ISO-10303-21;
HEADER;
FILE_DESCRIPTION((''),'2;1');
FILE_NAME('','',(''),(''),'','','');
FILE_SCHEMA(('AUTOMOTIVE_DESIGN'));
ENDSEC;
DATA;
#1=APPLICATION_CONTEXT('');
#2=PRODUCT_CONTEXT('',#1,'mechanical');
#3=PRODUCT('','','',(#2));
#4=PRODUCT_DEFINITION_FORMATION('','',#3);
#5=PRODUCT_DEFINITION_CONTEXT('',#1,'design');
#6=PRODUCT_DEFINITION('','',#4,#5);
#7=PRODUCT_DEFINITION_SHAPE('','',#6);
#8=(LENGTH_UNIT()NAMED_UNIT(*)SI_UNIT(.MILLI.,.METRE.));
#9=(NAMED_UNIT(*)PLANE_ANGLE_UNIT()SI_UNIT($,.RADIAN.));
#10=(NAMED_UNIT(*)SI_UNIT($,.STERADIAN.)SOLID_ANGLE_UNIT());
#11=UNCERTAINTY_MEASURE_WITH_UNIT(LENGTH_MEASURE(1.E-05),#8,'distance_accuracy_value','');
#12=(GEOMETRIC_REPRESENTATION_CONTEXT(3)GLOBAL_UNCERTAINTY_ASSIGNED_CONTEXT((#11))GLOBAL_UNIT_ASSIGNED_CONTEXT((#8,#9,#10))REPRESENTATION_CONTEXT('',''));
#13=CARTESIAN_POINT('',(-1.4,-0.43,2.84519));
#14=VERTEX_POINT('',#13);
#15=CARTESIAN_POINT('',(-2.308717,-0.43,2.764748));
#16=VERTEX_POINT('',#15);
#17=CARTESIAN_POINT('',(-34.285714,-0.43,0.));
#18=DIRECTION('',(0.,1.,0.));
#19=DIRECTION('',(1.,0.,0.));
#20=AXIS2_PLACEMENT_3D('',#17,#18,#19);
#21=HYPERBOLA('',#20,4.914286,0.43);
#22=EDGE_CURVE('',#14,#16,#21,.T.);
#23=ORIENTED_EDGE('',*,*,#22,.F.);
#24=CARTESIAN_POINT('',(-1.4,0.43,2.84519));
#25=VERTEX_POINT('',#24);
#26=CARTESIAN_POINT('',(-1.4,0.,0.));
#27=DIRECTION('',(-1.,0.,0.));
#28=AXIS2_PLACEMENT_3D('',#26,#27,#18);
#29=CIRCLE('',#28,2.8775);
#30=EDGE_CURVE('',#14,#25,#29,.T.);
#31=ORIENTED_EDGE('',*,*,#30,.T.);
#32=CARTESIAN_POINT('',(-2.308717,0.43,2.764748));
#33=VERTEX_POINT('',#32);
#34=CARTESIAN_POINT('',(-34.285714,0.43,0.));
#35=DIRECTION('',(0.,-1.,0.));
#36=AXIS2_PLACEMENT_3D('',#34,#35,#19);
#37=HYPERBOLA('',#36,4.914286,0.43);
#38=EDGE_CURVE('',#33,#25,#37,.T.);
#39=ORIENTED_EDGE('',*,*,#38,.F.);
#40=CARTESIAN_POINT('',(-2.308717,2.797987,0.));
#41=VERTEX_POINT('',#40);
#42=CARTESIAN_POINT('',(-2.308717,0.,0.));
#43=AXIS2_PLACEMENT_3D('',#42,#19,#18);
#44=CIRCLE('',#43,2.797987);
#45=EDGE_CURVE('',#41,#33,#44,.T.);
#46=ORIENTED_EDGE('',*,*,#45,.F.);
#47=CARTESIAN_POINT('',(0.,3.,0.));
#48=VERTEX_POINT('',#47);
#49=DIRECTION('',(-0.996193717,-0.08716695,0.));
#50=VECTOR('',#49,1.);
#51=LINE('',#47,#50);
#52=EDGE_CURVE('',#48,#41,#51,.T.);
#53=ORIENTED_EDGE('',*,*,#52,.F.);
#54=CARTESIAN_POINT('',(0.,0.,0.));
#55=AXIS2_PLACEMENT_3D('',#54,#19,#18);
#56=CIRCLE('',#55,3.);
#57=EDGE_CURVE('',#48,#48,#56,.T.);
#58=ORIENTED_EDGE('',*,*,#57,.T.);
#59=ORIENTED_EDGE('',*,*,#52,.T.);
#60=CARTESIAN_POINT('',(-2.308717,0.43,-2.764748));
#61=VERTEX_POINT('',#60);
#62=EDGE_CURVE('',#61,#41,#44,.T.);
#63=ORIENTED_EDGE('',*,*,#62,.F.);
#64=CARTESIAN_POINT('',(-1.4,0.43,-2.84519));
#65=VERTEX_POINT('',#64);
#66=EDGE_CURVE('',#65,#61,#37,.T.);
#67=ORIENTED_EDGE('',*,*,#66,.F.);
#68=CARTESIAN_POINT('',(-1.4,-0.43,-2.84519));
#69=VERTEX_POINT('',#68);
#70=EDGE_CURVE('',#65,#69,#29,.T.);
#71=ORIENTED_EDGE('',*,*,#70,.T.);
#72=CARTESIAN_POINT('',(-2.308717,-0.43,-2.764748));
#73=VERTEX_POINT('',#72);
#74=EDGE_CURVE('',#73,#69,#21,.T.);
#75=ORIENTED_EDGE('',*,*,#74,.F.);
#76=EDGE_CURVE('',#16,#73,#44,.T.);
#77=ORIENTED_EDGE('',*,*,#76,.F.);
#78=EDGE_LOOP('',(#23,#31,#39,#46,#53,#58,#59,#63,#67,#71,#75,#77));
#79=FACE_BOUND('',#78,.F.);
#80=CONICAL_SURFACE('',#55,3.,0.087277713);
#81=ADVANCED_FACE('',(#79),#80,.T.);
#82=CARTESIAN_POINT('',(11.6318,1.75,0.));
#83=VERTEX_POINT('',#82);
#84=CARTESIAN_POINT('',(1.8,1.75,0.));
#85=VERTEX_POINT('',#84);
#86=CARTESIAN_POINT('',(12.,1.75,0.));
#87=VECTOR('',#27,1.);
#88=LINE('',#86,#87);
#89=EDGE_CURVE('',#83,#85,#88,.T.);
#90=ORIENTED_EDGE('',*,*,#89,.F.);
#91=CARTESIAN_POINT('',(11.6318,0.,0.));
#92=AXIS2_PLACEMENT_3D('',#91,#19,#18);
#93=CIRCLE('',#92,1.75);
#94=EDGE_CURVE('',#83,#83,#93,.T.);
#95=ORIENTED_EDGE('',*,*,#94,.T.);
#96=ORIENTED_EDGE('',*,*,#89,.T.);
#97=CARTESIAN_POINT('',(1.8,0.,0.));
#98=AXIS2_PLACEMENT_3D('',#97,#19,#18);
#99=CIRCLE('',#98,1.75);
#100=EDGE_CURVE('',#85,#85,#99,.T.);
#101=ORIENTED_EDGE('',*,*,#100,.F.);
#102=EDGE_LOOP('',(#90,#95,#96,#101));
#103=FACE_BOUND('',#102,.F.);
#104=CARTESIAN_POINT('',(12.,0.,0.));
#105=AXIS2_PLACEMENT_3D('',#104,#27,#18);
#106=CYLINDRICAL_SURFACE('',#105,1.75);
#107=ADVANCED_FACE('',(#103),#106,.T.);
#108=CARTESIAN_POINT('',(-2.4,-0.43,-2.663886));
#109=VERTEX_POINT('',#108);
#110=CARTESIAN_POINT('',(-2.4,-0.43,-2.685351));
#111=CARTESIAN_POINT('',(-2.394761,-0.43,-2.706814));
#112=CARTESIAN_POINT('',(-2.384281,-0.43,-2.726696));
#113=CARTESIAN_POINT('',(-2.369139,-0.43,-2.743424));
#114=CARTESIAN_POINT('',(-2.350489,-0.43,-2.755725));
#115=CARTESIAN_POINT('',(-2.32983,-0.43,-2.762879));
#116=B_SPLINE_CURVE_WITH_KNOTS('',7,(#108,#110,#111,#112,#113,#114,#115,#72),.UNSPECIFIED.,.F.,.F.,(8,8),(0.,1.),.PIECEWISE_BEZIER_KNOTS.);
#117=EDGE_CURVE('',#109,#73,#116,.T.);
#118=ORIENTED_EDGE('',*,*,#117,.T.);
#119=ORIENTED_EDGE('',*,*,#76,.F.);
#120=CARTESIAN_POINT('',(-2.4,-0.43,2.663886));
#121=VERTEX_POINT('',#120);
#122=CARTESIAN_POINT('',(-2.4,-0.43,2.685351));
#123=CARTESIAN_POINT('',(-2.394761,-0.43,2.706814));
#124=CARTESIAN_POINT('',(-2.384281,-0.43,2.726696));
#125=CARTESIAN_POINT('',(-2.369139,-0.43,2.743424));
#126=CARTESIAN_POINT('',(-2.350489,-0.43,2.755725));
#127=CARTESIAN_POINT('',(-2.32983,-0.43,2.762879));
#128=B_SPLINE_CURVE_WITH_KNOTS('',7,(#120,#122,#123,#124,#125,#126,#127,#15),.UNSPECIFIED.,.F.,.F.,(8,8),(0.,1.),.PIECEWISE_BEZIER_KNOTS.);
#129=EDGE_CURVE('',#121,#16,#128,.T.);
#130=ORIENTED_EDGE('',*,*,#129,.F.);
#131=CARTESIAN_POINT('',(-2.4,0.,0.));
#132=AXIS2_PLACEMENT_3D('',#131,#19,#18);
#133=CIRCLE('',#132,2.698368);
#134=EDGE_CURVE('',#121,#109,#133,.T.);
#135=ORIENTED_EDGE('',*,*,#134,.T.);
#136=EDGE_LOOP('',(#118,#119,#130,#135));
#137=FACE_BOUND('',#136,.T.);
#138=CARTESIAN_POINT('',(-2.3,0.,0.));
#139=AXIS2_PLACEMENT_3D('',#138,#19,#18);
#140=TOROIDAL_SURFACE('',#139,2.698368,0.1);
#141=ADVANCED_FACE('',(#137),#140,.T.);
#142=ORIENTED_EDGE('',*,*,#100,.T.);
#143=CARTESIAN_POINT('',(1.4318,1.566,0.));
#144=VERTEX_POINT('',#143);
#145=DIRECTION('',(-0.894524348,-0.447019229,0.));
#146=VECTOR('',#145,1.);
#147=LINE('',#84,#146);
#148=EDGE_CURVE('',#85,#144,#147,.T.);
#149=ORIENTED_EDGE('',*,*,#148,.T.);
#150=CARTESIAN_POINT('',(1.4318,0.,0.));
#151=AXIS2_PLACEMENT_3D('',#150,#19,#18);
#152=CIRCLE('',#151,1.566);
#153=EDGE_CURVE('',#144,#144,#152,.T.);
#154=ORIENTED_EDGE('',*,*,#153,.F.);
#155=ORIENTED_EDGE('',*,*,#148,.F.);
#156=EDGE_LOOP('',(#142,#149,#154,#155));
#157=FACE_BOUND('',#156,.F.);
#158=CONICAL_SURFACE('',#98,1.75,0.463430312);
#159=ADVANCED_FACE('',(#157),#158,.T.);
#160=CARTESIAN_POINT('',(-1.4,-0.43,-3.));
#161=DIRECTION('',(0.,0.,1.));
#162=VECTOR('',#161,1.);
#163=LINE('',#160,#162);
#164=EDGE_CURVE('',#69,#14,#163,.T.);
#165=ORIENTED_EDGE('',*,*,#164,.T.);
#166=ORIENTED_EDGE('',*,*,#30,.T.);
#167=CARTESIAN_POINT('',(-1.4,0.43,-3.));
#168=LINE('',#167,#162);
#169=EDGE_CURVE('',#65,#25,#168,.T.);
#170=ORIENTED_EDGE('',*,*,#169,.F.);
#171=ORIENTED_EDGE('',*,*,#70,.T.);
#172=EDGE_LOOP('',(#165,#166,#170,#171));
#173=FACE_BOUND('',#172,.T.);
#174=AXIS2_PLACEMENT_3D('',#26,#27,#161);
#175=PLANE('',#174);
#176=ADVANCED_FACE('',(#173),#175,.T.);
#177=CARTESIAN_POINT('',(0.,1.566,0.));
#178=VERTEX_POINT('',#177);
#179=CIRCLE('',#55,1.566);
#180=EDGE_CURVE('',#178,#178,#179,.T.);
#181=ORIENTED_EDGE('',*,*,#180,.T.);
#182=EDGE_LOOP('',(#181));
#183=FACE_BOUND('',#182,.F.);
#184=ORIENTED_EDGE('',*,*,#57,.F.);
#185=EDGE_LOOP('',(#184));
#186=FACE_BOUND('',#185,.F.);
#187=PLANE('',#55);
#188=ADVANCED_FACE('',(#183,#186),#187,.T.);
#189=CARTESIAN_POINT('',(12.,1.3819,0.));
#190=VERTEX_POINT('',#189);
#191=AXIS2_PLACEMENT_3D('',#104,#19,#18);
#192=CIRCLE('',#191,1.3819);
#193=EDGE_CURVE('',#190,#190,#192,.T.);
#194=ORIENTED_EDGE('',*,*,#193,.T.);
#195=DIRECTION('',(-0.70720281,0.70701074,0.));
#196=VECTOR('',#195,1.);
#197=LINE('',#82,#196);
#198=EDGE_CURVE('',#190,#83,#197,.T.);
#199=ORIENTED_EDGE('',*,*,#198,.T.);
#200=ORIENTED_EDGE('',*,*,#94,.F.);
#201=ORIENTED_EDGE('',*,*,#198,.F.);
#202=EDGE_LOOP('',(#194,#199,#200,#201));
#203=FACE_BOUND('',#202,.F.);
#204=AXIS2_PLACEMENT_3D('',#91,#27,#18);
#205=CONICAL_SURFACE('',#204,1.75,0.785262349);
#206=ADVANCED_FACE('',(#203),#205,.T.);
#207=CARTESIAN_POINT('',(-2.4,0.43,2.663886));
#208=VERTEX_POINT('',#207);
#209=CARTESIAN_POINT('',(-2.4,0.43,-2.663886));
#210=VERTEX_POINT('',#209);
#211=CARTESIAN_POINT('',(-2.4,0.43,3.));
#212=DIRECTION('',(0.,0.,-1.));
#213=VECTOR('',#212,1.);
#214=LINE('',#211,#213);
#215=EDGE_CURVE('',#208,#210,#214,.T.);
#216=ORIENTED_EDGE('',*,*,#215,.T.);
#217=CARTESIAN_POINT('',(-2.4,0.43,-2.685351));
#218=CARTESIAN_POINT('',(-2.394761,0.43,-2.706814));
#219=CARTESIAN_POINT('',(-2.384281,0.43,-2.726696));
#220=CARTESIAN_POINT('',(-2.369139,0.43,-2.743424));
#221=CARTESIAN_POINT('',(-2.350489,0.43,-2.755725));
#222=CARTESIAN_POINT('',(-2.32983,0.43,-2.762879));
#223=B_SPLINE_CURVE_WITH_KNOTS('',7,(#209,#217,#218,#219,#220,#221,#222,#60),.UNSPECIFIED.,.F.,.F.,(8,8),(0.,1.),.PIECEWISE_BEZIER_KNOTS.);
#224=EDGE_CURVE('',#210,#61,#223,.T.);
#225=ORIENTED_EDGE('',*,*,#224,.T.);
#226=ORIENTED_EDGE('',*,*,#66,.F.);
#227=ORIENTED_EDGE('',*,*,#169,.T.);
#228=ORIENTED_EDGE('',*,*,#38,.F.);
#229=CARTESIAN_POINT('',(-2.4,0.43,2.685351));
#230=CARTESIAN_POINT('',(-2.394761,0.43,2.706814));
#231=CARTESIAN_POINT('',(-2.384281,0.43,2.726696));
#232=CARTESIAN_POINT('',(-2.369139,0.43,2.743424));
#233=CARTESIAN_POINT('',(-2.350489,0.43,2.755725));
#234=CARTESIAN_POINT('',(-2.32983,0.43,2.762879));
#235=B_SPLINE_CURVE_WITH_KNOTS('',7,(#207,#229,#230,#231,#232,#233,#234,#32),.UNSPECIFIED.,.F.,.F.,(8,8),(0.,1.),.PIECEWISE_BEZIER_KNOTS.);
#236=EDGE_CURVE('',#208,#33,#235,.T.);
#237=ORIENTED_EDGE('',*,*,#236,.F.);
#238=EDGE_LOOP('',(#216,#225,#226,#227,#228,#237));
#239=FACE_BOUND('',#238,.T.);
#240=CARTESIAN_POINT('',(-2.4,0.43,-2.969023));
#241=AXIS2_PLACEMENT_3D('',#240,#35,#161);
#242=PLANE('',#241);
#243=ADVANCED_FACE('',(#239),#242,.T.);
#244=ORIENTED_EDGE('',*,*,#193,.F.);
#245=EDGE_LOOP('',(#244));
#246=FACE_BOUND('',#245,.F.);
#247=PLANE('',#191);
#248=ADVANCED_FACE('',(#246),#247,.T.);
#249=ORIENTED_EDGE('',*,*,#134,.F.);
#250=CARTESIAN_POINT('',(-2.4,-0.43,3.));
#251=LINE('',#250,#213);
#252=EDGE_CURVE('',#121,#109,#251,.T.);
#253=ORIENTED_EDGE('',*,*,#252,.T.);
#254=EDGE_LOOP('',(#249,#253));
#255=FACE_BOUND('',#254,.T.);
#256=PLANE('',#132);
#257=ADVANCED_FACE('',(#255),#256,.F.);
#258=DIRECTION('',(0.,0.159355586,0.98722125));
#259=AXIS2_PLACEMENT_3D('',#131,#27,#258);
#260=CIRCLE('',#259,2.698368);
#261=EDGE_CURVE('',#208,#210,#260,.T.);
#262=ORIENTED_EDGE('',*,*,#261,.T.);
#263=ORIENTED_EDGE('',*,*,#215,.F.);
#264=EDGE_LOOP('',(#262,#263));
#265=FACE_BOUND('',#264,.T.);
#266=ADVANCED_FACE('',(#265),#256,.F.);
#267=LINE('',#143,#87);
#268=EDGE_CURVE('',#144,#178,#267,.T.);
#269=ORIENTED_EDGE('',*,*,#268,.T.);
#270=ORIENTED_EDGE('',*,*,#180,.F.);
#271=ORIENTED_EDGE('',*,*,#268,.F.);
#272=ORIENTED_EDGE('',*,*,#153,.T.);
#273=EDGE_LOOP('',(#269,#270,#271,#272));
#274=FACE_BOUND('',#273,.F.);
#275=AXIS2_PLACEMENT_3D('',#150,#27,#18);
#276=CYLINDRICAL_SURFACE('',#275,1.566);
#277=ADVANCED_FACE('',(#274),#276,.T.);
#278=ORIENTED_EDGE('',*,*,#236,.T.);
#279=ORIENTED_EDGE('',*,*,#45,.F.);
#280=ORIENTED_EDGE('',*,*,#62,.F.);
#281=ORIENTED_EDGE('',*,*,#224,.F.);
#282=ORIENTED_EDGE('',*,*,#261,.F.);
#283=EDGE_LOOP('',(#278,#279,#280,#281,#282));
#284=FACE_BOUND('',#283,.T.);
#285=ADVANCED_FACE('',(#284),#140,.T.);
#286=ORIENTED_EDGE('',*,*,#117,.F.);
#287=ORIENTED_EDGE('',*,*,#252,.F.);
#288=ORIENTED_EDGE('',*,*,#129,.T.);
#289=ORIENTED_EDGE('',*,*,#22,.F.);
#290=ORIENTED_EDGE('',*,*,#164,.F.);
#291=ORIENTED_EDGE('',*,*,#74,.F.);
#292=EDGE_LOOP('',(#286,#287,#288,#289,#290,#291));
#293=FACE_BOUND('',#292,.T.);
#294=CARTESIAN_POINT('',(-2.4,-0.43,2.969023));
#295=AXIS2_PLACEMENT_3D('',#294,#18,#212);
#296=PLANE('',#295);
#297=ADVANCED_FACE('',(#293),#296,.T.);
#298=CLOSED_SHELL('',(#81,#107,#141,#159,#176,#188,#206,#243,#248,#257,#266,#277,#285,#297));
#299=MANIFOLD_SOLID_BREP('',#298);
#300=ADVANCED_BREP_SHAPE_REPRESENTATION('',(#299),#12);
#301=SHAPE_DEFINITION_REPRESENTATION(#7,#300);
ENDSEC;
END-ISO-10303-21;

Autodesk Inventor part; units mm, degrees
ref_plane "YZ Plane" through (0, 0, 0) normal (1, 0, 0) x (0, 1, 0)
ref_plane "XZ Plane" through (0, 0, 0) normal (0, 1, 0) x (-1, 0, 0)
sketch "Эскиз1" plane through (0, 0, 0) normal (0, 0, 1) x (1, 0, 0)
  line L0 (-2.4, 0) -> (12, 0)
  line L1 (12, 0) -> (12, 1.75)
  line L2 (12, 1.75) -> (1.8, 1.75)
  line L3 (1.8, 1.75) -> (1.4318, 1.566)
  line L4 (1.4318, 1.566) -> (0, 1.566)
  line L5 (0, 1.566) -> (0, 3)
  line L6 (-5.28, 0) -> (14.88, 0) projected
  line L7 (0, -0.6) -> (0, 3.6) projected
  line L8 (-2.4, 0) -> (-2.4, 2.79)
  line L9 (0, 3) -> (-2.4, 2.79)
  line L10 (1.8, 1.75) -> (0, 1.75) construction
  dimension "d0" = 12
  dimension "d1" = 10.2
  dimension "d2" = 0.3682
  dimension "d3" = 2.4
  dimension "d4" = 3.5
  dimension "d5" = 3.132
  dimension "d9" = 6
  dimension "d10" = 5
revolve "Базовый элемент" add sketch "Эскиз1" angle 360 about axis through (-2.4, 0, 0) along (1, 0, 0)
sketch "Эскиз2" plane through (-2.4, 0, 0) normal (-1, 0, 0) x (0, 0, 1)
  circle A0 centre (0, 0) radius 3 projected
  line L0 (0, 0) -> (0, 2.79) projected
  line L1 (-3, 0.43) -> (3, 0.43)
  line L2 (3, 0.43) -> (3, -0.43)
  line L3 (3, -0.43) -> (-3, -0.43)
  line L4 (-3, -0.43) -> (-3, 0.43)
  line L5 (-3, 0) -> (3, 0) construction
  line L6 (0, 0.43) -> (0, -0.43) construction
  dimension "d11" = 0.86
  dimension "d12" = 6
fillet "Сопряжение1" radius 0.1 1 edges at (-2.4, -2.79, 0)
extrude "Паз" cut sketch "Эскиз2" against normal blind 1 contours A0 L3 L1 | L2 L3 A0 | A0 L1 L2 | A0 L4 L1 | L3 L4 A0
thread "Резьба" size "M3.5x0.6" class "6g" standard "ISO Metric profile" length 10.2
chamfer "Фаска1" distance 0.3681 distance2 0.3682 1 edges at (12, -1.75, 0) measured on face at (12, 0.4197, 0.5264)
ref_plane "Work Plane1" through (30.1625, 0, 0) normal (0, 0, -1) x (1, 0, 0)
equation "\"d11\" = SBR"
equation "\"d12\" = KOD"
equation "\"d14\" = RR"
equation "\"d19\" = STI"
equation "\"d15\" = GEL"
equation "\"d17\" = -0.5 * SPD + 0.5 * GD"
equation "\"d0\" = NLG"
equation "\"d1\" = GEL"
equation "\"d3\" = KOH"
equation "\"d4\" = GD"
equation "\"d5\" = BDM"
equation "\"d9\" = KOD"
equation "\"d10\" = KEWI"
equation "\"GD\" = NND"
equation "\"NLG\" = 12"
equation "\"GEL\" = 10.2"
equation "\"KOD\" = 6"
equation "\"KOH\" = 2.4"
equation "\"GAL\" = 0.61345 * PTC"
equation "\"SPD\" = NND - 1.2269 * PTC"
equation "\"BDM\" = 3.132"
equation "\"GUL\" = 0.61345 * PTC"
equation "\"RR\" = 0.1"
equation "\"SBR\" = 0.86"
equation "\"STI\" = 1"
equation "\"KEWI\" = 5deg"
equation "\"PTC\" = 0.6"
equation "\"THREADDIA\" = 3.5"
equation "\"TOA\" = 30deg"
equation "\"NND\" = 3.5"
equation "\"GD1\" = THREADDIA - 1.2269 * PTC"
properties part number "CSN 02 1131 - M3,5 x 12" material "Сталь, мягкая"
